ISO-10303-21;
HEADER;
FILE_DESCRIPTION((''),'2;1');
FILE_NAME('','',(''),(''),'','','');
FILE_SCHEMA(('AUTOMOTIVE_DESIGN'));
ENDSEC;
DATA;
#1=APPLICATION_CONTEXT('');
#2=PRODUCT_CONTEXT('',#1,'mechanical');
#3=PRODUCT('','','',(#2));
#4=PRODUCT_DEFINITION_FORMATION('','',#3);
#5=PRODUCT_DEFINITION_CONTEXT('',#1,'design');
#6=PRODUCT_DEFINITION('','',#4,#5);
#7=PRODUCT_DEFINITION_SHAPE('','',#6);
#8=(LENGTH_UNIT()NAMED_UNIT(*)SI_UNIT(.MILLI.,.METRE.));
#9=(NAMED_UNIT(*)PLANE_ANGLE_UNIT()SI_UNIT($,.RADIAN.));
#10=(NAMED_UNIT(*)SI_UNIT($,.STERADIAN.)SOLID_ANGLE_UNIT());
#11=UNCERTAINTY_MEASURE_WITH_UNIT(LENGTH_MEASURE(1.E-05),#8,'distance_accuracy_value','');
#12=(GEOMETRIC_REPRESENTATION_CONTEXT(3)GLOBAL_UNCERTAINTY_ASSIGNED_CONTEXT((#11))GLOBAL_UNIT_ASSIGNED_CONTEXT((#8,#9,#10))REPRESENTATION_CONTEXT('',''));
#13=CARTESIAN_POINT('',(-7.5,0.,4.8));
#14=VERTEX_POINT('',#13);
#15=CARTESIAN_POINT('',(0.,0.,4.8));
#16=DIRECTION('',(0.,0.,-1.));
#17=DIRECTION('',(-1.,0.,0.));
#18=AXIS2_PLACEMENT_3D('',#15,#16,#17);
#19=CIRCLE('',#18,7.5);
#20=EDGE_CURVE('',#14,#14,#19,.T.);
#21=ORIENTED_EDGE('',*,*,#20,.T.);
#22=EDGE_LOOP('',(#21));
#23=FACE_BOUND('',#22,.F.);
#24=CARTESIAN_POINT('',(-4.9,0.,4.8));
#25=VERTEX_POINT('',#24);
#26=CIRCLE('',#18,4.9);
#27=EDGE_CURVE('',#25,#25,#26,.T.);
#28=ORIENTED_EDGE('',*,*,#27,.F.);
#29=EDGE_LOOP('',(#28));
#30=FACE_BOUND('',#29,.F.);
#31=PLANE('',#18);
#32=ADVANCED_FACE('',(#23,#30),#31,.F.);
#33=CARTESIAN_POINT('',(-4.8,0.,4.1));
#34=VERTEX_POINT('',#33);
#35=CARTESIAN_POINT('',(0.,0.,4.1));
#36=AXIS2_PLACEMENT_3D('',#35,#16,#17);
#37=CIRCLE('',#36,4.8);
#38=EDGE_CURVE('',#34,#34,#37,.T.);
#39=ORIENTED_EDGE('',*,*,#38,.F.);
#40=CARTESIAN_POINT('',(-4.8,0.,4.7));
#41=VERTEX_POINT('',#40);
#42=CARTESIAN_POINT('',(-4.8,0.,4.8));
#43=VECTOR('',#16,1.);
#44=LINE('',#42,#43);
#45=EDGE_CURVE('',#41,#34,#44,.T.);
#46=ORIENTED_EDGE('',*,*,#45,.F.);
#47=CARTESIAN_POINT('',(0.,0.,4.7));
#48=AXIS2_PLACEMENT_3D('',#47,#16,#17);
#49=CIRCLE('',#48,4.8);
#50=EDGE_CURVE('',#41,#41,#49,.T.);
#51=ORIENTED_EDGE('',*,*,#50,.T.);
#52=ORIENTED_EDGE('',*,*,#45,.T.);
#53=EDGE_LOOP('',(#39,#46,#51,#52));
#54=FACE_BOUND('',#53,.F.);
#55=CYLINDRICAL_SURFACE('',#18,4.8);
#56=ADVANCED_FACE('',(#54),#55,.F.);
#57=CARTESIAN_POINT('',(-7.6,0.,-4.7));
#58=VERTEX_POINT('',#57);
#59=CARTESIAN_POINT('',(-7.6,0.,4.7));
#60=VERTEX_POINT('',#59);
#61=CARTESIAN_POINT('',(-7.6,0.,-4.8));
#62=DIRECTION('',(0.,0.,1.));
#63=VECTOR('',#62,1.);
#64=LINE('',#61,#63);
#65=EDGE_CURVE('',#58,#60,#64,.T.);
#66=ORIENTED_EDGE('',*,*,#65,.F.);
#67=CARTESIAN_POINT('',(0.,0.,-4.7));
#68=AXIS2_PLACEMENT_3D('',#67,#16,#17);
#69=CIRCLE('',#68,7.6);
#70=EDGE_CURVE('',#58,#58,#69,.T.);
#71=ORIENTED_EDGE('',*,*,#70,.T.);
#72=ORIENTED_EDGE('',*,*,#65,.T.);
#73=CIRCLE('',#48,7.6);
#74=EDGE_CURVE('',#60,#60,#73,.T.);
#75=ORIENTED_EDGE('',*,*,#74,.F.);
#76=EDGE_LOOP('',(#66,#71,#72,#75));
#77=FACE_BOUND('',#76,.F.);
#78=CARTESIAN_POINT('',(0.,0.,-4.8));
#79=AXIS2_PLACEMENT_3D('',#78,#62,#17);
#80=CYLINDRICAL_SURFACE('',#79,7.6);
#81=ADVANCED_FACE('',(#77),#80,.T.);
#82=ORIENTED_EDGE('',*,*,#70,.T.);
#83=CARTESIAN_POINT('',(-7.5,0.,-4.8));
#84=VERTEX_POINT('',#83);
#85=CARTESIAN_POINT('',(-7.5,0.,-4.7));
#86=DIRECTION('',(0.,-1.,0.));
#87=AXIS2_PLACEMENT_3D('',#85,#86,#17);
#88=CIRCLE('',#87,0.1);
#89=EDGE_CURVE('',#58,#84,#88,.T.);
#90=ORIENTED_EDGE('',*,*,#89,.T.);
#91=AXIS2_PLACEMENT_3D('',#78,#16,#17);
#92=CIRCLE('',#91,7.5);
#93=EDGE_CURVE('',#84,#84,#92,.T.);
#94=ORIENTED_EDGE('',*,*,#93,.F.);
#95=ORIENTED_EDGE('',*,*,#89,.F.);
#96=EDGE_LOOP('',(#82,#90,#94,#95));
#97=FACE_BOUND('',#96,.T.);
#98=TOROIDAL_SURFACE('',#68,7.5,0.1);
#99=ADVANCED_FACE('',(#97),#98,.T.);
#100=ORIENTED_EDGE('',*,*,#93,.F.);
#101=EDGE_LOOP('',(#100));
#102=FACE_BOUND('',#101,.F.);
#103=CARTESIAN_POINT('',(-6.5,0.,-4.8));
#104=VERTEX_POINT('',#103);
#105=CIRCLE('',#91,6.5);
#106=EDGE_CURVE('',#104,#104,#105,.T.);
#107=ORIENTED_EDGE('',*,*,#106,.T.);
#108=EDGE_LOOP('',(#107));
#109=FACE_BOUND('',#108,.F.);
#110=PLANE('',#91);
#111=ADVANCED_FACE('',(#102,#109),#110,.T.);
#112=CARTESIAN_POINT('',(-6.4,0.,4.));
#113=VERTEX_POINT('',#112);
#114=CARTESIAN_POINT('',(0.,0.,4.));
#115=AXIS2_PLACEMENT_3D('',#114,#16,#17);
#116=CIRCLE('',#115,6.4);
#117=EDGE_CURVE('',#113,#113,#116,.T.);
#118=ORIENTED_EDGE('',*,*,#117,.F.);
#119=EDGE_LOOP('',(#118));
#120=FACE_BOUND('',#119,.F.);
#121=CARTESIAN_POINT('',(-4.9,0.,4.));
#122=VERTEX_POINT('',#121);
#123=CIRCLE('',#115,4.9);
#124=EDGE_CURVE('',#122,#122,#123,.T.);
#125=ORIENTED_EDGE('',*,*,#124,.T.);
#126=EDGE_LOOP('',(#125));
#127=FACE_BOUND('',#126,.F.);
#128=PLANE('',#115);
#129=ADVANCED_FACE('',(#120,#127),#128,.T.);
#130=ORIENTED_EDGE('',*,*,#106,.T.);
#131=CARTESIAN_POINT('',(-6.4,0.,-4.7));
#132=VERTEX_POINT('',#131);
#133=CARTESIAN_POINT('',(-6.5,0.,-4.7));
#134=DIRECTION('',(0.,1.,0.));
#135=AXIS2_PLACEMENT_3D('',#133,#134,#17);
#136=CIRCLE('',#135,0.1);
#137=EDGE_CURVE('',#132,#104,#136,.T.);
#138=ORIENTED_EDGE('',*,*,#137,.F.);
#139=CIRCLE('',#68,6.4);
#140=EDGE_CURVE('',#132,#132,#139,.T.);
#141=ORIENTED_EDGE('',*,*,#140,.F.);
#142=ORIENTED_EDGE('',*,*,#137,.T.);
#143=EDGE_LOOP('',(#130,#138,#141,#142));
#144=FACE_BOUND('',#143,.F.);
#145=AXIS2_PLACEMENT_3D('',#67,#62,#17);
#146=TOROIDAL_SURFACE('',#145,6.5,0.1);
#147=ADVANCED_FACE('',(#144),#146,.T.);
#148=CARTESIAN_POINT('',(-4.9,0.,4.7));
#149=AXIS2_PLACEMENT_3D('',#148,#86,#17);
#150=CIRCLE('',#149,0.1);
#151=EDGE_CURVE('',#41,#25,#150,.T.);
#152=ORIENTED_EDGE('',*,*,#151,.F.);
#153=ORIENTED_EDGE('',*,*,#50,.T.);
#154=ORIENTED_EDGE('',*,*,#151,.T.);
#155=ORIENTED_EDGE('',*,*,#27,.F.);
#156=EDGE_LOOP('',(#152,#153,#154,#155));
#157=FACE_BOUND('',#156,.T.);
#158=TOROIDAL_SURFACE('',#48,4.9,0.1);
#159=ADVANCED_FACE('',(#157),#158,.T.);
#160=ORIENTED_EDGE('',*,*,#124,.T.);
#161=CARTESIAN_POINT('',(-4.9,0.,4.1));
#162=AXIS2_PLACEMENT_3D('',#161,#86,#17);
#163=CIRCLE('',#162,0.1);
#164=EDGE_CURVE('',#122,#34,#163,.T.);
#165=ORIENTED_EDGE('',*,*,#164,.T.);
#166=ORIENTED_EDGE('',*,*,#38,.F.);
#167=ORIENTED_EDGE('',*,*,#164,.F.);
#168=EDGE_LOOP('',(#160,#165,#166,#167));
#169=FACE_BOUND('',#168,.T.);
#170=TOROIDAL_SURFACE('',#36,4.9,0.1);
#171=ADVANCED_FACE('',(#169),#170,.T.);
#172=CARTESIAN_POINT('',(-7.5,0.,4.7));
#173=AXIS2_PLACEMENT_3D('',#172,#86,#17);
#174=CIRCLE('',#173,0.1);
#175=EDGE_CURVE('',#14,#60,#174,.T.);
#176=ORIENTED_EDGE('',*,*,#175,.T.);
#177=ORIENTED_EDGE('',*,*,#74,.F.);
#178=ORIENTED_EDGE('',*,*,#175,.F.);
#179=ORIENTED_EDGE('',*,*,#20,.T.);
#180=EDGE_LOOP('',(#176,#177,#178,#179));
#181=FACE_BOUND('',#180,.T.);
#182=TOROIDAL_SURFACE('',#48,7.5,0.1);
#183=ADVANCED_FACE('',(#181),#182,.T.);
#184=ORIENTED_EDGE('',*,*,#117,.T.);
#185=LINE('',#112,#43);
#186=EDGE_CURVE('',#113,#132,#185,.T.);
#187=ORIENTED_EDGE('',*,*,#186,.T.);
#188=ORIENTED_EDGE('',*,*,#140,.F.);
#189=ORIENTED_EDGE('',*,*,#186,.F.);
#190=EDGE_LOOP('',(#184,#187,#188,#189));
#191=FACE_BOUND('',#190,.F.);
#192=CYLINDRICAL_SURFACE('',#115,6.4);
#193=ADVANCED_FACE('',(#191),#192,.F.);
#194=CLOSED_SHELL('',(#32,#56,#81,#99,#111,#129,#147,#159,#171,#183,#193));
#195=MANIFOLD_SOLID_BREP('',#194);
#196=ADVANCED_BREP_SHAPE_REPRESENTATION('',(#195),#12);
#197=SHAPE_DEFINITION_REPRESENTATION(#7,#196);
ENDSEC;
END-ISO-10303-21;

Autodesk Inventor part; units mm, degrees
ref_plane "YZ Plane" through (0, 0, 0) normal (1, 0, 0) x (0, 1, 0)
ref_plane "XZ Plane" through (0, 0, 0) normal (0, 1, 0) x (-1, 0, 0)
ref_plane "XY Plane" through (0, 0, 0) normal (0, 0, 1) x (1, 0, 0)
sketch "Sketch2" plane through (0, 0, 0) normal (0, 1, 0) x (-1, 0, 0)
  line L0 (6.4, -4.8) -> (7.6, -4.8)
  line L1 (7.6, -4.8) -> (7.6, 4.8)
  line L2 (7.6, 4.8) -> (4.8, 4.8)
  line L3 (4.8, 4.8) -> (4.8, 4)
  line L4 (4.8, 4) -> (6.4, 4)
  line L5 (6.4, 4) -> (6.4, -4.8)
  line L6 (0, 4.8) -> (0, -4.8)
  point P0 (0, 0)
  point P1 (0, 0)
  dimension "d0" = 15.2
  dimension "d1" = 9.6
  dimension "d2" = 0.8
  dimension "d3" = 9.6
  dimension "d4" = 12.8
revolve "Revolution1" add sketch "Sketch2" angle 360 about axis through (0, 0, 4.8) along (0, 0, -1)
fillet "Fillet1" radius 0.1 5 edges at (4.8, 0, 4.8) (4.8, 0, 4) (7.6, 0, 4.8) (7.6, 0, -4.8) (6.4, 0, -4.8)
equation "\"d1\" = lh"
equation "\"d3\" = lh"
equation "\"lh\" = 9.6"
properties part number "99401-RedRubber" material "Rubber"
